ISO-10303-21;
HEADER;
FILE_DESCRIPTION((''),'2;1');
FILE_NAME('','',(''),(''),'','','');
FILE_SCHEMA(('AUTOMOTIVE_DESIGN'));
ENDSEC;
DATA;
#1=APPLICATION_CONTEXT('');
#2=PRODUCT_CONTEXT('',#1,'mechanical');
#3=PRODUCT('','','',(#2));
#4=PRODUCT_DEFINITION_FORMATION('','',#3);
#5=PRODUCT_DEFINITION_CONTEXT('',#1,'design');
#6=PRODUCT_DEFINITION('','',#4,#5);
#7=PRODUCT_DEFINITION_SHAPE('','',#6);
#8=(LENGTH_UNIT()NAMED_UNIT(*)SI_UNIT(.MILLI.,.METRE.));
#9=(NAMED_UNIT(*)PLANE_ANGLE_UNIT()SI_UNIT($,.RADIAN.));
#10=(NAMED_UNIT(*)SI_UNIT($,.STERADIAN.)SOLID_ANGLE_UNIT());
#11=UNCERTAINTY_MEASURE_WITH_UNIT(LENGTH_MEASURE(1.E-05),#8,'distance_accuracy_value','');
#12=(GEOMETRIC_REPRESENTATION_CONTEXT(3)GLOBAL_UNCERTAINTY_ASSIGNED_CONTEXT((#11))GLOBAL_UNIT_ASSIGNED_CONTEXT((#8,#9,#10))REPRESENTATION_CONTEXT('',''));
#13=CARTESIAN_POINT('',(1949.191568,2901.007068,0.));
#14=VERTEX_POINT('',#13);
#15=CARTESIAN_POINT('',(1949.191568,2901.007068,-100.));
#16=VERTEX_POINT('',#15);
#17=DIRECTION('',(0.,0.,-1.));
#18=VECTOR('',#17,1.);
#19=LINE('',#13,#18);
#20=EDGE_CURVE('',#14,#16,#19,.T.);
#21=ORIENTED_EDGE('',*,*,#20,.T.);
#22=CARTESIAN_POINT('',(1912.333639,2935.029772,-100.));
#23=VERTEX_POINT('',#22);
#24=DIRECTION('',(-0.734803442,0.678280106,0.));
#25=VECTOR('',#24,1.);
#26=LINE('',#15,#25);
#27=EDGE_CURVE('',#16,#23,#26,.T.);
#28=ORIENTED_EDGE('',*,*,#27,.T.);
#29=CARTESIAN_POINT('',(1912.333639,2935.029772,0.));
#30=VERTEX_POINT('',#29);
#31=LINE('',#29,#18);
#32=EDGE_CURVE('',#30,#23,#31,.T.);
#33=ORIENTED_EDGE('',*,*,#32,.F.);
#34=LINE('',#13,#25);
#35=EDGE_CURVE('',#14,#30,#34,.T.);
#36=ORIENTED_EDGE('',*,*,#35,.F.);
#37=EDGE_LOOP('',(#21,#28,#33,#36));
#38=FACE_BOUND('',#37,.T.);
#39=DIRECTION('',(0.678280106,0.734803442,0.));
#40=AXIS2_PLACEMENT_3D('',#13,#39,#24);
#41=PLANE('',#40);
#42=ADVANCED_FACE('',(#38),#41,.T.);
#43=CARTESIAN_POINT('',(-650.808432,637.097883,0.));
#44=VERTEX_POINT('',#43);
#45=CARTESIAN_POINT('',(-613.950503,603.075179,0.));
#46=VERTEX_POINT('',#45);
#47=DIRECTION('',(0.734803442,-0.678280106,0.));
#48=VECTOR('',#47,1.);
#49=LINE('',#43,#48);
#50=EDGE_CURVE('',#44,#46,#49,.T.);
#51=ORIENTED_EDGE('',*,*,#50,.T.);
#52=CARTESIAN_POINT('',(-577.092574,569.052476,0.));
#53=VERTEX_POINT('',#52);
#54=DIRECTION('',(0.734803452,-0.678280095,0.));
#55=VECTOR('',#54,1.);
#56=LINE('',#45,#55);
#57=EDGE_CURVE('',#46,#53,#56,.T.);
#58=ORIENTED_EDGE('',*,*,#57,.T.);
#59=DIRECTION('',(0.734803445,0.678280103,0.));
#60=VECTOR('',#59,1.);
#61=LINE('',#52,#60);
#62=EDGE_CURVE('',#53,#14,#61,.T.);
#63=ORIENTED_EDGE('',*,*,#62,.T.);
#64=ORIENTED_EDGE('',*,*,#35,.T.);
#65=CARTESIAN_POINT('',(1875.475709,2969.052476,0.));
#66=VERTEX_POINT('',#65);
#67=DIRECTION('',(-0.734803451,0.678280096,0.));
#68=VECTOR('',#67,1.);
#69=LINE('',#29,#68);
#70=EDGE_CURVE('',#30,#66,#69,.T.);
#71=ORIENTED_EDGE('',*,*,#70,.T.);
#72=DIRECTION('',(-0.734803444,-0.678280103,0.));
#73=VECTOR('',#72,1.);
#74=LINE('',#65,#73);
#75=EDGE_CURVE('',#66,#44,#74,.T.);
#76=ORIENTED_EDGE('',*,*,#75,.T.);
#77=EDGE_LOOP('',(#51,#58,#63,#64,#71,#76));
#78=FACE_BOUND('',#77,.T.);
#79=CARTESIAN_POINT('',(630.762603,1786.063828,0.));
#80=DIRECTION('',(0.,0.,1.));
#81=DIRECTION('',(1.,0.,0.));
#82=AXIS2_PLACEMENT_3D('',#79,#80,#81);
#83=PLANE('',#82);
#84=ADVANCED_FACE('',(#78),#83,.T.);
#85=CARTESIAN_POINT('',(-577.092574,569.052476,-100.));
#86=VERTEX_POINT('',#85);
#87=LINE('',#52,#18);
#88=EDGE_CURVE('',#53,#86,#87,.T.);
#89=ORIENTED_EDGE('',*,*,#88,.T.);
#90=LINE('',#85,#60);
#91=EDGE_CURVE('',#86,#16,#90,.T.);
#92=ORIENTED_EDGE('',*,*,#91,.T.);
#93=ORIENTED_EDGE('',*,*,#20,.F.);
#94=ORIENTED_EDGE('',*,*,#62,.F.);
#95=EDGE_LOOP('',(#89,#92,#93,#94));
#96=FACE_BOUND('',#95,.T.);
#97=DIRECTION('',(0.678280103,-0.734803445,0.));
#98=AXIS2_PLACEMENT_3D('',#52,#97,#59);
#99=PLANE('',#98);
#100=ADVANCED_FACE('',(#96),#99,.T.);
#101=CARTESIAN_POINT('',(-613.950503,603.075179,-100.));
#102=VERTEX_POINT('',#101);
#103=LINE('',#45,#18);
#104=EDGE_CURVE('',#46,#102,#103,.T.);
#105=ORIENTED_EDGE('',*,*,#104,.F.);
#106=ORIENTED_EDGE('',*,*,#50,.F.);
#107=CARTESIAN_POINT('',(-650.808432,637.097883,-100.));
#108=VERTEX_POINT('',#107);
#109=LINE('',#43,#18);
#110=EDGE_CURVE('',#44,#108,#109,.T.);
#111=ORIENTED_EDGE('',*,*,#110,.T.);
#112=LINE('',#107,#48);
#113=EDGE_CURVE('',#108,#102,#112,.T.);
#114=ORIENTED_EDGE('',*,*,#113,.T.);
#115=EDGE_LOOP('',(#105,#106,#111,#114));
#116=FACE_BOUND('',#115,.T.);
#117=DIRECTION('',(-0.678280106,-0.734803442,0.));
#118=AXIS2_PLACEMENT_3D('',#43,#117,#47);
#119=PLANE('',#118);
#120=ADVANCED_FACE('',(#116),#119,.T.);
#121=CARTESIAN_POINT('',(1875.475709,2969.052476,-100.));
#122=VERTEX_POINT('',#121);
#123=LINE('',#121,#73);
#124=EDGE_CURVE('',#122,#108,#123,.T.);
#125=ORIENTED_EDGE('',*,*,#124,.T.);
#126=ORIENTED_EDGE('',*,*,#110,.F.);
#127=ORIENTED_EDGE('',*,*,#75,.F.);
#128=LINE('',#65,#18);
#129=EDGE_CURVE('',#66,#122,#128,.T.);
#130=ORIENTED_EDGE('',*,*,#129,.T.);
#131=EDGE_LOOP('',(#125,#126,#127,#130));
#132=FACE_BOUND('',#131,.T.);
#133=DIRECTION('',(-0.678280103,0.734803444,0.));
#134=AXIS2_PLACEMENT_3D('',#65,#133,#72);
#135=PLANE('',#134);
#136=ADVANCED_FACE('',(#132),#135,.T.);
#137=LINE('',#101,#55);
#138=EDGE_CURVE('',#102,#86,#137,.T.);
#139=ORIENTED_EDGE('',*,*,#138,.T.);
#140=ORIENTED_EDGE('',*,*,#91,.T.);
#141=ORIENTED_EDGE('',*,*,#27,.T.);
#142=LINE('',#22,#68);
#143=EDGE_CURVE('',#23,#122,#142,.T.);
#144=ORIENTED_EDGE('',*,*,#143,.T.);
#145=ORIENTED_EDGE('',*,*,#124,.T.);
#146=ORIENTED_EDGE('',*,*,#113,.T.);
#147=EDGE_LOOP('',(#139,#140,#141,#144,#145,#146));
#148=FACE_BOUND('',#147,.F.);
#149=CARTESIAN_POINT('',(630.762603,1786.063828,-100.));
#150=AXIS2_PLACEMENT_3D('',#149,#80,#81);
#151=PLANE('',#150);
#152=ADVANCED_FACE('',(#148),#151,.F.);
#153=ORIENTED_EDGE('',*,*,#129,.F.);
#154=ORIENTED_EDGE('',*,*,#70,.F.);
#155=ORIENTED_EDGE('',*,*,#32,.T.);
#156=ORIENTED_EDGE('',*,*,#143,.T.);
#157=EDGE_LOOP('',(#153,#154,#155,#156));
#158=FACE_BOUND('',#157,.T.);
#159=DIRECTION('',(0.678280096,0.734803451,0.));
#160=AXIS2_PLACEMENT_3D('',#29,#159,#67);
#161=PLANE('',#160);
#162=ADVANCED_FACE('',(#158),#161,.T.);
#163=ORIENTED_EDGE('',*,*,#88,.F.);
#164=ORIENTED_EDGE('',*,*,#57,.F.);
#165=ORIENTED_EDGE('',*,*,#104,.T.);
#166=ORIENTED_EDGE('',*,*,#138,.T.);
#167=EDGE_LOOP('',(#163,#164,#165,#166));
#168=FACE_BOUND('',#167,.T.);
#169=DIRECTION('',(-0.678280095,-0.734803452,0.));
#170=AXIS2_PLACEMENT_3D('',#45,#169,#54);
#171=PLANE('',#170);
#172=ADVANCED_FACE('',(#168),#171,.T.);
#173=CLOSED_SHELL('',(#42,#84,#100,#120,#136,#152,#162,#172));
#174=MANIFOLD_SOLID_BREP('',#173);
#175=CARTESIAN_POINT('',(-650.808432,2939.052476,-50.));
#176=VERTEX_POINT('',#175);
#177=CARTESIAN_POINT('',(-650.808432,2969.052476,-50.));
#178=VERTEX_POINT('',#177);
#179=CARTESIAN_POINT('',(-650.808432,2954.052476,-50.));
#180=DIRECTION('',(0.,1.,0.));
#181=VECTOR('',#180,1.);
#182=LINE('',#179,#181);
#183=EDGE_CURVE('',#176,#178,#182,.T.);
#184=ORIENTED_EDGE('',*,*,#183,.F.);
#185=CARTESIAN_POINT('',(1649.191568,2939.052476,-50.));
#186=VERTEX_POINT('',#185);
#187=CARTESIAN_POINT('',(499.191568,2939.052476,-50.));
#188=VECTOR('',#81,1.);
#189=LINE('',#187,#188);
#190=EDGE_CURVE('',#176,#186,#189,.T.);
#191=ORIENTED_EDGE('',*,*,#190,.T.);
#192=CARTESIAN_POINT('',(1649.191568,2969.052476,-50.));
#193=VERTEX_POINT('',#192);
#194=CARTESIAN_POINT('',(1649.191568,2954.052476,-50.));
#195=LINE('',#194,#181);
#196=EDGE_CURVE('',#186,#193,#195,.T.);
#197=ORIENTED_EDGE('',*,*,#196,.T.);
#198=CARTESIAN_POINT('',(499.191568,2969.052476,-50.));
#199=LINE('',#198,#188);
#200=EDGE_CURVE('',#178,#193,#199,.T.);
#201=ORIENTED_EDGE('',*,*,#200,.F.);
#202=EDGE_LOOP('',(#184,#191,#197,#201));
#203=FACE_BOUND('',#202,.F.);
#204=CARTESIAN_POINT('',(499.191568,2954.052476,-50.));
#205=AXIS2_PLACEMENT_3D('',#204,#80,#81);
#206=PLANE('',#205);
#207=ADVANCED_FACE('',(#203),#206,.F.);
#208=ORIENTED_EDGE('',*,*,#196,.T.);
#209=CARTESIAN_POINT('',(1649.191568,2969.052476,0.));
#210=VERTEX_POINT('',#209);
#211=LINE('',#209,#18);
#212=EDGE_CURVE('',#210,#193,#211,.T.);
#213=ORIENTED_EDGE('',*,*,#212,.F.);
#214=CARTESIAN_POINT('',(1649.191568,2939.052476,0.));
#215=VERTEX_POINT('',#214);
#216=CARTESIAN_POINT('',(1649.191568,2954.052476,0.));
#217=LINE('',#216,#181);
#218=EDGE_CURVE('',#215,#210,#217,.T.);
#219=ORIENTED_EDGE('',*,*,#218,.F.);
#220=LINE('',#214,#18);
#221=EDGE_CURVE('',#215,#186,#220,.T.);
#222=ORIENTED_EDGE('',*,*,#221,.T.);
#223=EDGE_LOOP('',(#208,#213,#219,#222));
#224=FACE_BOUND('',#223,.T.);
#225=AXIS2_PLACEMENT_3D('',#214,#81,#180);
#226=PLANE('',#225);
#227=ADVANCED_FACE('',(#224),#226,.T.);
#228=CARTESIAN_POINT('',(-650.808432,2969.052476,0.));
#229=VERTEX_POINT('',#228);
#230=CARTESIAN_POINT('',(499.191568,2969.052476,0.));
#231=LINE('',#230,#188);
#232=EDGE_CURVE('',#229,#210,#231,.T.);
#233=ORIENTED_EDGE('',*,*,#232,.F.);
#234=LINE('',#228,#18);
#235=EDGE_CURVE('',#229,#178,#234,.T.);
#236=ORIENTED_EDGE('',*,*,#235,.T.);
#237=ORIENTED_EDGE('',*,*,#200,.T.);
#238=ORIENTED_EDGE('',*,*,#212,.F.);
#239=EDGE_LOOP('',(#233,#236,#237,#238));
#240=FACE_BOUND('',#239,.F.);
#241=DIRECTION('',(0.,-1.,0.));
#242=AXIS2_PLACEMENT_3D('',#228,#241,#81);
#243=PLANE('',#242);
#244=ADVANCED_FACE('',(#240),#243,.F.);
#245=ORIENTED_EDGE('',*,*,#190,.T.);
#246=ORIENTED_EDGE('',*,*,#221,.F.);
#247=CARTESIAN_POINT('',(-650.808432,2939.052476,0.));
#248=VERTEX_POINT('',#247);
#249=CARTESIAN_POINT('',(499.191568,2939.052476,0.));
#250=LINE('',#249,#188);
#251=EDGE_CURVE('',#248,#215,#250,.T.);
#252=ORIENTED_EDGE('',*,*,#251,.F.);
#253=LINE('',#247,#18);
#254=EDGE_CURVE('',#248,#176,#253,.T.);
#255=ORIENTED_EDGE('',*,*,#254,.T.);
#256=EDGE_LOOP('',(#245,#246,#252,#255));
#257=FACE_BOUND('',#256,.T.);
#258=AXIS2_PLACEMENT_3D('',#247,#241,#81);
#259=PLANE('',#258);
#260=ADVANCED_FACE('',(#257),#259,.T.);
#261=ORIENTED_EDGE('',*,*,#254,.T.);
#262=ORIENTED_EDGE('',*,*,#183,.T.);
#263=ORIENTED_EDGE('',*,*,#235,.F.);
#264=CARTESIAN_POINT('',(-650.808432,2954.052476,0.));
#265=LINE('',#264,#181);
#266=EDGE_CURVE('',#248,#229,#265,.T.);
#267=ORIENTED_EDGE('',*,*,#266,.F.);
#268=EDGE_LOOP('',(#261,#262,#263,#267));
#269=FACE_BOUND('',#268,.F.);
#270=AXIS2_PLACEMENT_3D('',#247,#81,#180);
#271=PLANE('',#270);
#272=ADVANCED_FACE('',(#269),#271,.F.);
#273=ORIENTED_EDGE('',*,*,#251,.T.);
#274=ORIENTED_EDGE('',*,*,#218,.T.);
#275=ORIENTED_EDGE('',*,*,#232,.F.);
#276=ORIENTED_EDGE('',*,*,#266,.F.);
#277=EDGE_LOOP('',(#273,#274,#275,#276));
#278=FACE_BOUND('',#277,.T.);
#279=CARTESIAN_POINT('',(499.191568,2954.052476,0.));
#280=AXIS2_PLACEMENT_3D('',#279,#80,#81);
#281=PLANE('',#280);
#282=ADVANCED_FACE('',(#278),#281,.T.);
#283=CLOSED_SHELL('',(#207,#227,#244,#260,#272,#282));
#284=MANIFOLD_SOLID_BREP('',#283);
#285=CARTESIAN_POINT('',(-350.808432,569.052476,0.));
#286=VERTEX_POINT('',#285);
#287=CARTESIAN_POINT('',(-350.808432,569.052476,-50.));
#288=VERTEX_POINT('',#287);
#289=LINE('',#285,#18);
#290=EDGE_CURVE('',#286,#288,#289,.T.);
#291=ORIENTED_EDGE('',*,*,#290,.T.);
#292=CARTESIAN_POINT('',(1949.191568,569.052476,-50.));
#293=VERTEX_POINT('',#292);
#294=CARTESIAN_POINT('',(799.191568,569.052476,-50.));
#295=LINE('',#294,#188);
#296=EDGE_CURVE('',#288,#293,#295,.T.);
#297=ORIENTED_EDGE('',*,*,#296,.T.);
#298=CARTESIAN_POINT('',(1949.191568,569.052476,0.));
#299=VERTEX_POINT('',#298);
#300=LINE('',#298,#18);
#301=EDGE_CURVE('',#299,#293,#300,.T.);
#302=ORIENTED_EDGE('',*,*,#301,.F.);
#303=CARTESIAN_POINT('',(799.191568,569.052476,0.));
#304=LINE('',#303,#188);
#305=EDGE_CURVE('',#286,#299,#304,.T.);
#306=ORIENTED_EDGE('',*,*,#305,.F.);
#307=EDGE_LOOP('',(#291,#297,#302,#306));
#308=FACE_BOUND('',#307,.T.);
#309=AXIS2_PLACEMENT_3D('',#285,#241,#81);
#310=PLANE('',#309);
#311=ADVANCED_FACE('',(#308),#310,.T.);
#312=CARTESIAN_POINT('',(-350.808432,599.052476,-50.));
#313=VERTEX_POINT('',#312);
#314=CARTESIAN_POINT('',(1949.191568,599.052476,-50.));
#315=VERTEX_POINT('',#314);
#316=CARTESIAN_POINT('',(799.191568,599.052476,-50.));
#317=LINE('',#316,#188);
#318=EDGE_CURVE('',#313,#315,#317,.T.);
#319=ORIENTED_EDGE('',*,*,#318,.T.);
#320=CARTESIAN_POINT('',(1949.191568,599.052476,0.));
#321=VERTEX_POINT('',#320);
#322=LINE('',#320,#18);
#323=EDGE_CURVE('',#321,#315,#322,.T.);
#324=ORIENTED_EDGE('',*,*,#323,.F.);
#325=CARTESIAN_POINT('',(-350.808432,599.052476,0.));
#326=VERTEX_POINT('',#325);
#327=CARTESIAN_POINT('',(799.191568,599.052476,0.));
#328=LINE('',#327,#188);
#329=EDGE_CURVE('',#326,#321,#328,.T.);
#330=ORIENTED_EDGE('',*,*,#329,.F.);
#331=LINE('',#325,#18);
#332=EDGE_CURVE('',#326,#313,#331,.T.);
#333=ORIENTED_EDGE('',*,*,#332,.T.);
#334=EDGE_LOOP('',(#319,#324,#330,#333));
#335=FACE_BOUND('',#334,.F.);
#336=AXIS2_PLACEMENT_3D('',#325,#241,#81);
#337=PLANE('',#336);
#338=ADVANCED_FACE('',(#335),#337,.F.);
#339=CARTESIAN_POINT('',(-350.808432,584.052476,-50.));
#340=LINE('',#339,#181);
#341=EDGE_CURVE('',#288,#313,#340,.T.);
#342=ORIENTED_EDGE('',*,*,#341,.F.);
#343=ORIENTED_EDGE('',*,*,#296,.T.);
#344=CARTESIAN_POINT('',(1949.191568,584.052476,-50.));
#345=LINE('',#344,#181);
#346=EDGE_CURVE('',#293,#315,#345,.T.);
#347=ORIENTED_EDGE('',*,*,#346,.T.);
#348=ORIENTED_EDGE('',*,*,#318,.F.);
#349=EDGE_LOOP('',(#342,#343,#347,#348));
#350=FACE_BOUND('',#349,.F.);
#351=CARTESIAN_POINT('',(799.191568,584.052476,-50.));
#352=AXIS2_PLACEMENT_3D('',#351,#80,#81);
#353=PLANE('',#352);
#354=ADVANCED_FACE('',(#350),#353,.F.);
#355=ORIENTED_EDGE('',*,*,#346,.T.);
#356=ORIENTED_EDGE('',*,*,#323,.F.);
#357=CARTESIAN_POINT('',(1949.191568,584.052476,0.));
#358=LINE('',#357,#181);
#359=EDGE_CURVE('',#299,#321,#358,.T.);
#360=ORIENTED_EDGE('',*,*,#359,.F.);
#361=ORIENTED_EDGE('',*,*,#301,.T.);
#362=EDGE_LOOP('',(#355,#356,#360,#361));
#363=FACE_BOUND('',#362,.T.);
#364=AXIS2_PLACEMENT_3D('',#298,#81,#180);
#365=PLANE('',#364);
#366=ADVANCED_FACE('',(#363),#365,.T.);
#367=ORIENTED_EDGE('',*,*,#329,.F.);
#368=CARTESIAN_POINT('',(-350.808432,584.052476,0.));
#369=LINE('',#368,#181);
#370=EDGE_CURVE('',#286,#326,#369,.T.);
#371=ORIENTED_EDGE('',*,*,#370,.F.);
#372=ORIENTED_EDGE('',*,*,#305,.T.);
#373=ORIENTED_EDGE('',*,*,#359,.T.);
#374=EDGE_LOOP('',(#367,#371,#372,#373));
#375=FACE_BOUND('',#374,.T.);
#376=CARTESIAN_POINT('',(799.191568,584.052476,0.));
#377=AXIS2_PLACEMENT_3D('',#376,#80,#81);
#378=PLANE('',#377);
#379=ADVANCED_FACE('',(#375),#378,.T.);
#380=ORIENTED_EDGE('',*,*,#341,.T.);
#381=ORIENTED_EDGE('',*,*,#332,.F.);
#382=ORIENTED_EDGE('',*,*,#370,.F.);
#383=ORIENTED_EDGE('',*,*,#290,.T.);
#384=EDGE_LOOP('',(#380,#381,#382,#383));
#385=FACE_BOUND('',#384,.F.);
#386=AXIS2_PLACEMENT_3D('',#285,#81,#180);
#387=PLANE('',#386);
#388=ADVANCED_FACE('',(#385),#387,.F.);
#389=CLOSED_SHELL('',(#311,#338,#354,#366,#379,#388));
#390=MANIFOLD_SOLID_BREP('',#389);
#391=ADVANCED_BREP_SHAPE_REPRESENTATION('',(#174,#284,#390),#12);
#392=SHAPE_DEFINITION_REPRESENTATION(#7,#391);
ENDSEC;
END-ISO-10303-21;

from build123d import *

# Parameters (mm, degrees)
F1_DEPTH = 100
F2_W     = 2300
F2_H     = 30
F3_DEPTH = 50
F4_DEPTH = 50


with BuildPart() as f1:
    # F0 (on Top) → F1 (new body)
    with BuildSketch(Plane.XY):
        Polygon((1912.333639, 2935.029772), (1875.475709, 2969.052476), (-650.808432, 637.097883), (-613.950503, 603.075179), align=None)
        Polygon((1949.191568, 2901.007068), (1912.333639, 2935.029772), (-613.950503, 603.075179), (-577.092574, 569.052476), align=None)
    extrude(amount=-F1_DEPTH)


with BuildPart() as f3:
    # F2 (on Top) → F3 (new body)
    with BuildSketch(Plane.XY):
        with Locations((499.191568, 2954.052476)):
            Rectangle(F2_W, F2_H)
    extrude(amount=-F3_DEPTH)


with BuildPart() as f4:
    # F2 (on Top) → F4 (new body)
    with BuildSketch(Plane.XY):
        with Locations((799.191568, 584.052476)):
            Rectangle(F2_W, F2_H)
    extrude(amount=-F4_DEPTH)


solid = Compound([f1.part, f3.part, f4.part])
